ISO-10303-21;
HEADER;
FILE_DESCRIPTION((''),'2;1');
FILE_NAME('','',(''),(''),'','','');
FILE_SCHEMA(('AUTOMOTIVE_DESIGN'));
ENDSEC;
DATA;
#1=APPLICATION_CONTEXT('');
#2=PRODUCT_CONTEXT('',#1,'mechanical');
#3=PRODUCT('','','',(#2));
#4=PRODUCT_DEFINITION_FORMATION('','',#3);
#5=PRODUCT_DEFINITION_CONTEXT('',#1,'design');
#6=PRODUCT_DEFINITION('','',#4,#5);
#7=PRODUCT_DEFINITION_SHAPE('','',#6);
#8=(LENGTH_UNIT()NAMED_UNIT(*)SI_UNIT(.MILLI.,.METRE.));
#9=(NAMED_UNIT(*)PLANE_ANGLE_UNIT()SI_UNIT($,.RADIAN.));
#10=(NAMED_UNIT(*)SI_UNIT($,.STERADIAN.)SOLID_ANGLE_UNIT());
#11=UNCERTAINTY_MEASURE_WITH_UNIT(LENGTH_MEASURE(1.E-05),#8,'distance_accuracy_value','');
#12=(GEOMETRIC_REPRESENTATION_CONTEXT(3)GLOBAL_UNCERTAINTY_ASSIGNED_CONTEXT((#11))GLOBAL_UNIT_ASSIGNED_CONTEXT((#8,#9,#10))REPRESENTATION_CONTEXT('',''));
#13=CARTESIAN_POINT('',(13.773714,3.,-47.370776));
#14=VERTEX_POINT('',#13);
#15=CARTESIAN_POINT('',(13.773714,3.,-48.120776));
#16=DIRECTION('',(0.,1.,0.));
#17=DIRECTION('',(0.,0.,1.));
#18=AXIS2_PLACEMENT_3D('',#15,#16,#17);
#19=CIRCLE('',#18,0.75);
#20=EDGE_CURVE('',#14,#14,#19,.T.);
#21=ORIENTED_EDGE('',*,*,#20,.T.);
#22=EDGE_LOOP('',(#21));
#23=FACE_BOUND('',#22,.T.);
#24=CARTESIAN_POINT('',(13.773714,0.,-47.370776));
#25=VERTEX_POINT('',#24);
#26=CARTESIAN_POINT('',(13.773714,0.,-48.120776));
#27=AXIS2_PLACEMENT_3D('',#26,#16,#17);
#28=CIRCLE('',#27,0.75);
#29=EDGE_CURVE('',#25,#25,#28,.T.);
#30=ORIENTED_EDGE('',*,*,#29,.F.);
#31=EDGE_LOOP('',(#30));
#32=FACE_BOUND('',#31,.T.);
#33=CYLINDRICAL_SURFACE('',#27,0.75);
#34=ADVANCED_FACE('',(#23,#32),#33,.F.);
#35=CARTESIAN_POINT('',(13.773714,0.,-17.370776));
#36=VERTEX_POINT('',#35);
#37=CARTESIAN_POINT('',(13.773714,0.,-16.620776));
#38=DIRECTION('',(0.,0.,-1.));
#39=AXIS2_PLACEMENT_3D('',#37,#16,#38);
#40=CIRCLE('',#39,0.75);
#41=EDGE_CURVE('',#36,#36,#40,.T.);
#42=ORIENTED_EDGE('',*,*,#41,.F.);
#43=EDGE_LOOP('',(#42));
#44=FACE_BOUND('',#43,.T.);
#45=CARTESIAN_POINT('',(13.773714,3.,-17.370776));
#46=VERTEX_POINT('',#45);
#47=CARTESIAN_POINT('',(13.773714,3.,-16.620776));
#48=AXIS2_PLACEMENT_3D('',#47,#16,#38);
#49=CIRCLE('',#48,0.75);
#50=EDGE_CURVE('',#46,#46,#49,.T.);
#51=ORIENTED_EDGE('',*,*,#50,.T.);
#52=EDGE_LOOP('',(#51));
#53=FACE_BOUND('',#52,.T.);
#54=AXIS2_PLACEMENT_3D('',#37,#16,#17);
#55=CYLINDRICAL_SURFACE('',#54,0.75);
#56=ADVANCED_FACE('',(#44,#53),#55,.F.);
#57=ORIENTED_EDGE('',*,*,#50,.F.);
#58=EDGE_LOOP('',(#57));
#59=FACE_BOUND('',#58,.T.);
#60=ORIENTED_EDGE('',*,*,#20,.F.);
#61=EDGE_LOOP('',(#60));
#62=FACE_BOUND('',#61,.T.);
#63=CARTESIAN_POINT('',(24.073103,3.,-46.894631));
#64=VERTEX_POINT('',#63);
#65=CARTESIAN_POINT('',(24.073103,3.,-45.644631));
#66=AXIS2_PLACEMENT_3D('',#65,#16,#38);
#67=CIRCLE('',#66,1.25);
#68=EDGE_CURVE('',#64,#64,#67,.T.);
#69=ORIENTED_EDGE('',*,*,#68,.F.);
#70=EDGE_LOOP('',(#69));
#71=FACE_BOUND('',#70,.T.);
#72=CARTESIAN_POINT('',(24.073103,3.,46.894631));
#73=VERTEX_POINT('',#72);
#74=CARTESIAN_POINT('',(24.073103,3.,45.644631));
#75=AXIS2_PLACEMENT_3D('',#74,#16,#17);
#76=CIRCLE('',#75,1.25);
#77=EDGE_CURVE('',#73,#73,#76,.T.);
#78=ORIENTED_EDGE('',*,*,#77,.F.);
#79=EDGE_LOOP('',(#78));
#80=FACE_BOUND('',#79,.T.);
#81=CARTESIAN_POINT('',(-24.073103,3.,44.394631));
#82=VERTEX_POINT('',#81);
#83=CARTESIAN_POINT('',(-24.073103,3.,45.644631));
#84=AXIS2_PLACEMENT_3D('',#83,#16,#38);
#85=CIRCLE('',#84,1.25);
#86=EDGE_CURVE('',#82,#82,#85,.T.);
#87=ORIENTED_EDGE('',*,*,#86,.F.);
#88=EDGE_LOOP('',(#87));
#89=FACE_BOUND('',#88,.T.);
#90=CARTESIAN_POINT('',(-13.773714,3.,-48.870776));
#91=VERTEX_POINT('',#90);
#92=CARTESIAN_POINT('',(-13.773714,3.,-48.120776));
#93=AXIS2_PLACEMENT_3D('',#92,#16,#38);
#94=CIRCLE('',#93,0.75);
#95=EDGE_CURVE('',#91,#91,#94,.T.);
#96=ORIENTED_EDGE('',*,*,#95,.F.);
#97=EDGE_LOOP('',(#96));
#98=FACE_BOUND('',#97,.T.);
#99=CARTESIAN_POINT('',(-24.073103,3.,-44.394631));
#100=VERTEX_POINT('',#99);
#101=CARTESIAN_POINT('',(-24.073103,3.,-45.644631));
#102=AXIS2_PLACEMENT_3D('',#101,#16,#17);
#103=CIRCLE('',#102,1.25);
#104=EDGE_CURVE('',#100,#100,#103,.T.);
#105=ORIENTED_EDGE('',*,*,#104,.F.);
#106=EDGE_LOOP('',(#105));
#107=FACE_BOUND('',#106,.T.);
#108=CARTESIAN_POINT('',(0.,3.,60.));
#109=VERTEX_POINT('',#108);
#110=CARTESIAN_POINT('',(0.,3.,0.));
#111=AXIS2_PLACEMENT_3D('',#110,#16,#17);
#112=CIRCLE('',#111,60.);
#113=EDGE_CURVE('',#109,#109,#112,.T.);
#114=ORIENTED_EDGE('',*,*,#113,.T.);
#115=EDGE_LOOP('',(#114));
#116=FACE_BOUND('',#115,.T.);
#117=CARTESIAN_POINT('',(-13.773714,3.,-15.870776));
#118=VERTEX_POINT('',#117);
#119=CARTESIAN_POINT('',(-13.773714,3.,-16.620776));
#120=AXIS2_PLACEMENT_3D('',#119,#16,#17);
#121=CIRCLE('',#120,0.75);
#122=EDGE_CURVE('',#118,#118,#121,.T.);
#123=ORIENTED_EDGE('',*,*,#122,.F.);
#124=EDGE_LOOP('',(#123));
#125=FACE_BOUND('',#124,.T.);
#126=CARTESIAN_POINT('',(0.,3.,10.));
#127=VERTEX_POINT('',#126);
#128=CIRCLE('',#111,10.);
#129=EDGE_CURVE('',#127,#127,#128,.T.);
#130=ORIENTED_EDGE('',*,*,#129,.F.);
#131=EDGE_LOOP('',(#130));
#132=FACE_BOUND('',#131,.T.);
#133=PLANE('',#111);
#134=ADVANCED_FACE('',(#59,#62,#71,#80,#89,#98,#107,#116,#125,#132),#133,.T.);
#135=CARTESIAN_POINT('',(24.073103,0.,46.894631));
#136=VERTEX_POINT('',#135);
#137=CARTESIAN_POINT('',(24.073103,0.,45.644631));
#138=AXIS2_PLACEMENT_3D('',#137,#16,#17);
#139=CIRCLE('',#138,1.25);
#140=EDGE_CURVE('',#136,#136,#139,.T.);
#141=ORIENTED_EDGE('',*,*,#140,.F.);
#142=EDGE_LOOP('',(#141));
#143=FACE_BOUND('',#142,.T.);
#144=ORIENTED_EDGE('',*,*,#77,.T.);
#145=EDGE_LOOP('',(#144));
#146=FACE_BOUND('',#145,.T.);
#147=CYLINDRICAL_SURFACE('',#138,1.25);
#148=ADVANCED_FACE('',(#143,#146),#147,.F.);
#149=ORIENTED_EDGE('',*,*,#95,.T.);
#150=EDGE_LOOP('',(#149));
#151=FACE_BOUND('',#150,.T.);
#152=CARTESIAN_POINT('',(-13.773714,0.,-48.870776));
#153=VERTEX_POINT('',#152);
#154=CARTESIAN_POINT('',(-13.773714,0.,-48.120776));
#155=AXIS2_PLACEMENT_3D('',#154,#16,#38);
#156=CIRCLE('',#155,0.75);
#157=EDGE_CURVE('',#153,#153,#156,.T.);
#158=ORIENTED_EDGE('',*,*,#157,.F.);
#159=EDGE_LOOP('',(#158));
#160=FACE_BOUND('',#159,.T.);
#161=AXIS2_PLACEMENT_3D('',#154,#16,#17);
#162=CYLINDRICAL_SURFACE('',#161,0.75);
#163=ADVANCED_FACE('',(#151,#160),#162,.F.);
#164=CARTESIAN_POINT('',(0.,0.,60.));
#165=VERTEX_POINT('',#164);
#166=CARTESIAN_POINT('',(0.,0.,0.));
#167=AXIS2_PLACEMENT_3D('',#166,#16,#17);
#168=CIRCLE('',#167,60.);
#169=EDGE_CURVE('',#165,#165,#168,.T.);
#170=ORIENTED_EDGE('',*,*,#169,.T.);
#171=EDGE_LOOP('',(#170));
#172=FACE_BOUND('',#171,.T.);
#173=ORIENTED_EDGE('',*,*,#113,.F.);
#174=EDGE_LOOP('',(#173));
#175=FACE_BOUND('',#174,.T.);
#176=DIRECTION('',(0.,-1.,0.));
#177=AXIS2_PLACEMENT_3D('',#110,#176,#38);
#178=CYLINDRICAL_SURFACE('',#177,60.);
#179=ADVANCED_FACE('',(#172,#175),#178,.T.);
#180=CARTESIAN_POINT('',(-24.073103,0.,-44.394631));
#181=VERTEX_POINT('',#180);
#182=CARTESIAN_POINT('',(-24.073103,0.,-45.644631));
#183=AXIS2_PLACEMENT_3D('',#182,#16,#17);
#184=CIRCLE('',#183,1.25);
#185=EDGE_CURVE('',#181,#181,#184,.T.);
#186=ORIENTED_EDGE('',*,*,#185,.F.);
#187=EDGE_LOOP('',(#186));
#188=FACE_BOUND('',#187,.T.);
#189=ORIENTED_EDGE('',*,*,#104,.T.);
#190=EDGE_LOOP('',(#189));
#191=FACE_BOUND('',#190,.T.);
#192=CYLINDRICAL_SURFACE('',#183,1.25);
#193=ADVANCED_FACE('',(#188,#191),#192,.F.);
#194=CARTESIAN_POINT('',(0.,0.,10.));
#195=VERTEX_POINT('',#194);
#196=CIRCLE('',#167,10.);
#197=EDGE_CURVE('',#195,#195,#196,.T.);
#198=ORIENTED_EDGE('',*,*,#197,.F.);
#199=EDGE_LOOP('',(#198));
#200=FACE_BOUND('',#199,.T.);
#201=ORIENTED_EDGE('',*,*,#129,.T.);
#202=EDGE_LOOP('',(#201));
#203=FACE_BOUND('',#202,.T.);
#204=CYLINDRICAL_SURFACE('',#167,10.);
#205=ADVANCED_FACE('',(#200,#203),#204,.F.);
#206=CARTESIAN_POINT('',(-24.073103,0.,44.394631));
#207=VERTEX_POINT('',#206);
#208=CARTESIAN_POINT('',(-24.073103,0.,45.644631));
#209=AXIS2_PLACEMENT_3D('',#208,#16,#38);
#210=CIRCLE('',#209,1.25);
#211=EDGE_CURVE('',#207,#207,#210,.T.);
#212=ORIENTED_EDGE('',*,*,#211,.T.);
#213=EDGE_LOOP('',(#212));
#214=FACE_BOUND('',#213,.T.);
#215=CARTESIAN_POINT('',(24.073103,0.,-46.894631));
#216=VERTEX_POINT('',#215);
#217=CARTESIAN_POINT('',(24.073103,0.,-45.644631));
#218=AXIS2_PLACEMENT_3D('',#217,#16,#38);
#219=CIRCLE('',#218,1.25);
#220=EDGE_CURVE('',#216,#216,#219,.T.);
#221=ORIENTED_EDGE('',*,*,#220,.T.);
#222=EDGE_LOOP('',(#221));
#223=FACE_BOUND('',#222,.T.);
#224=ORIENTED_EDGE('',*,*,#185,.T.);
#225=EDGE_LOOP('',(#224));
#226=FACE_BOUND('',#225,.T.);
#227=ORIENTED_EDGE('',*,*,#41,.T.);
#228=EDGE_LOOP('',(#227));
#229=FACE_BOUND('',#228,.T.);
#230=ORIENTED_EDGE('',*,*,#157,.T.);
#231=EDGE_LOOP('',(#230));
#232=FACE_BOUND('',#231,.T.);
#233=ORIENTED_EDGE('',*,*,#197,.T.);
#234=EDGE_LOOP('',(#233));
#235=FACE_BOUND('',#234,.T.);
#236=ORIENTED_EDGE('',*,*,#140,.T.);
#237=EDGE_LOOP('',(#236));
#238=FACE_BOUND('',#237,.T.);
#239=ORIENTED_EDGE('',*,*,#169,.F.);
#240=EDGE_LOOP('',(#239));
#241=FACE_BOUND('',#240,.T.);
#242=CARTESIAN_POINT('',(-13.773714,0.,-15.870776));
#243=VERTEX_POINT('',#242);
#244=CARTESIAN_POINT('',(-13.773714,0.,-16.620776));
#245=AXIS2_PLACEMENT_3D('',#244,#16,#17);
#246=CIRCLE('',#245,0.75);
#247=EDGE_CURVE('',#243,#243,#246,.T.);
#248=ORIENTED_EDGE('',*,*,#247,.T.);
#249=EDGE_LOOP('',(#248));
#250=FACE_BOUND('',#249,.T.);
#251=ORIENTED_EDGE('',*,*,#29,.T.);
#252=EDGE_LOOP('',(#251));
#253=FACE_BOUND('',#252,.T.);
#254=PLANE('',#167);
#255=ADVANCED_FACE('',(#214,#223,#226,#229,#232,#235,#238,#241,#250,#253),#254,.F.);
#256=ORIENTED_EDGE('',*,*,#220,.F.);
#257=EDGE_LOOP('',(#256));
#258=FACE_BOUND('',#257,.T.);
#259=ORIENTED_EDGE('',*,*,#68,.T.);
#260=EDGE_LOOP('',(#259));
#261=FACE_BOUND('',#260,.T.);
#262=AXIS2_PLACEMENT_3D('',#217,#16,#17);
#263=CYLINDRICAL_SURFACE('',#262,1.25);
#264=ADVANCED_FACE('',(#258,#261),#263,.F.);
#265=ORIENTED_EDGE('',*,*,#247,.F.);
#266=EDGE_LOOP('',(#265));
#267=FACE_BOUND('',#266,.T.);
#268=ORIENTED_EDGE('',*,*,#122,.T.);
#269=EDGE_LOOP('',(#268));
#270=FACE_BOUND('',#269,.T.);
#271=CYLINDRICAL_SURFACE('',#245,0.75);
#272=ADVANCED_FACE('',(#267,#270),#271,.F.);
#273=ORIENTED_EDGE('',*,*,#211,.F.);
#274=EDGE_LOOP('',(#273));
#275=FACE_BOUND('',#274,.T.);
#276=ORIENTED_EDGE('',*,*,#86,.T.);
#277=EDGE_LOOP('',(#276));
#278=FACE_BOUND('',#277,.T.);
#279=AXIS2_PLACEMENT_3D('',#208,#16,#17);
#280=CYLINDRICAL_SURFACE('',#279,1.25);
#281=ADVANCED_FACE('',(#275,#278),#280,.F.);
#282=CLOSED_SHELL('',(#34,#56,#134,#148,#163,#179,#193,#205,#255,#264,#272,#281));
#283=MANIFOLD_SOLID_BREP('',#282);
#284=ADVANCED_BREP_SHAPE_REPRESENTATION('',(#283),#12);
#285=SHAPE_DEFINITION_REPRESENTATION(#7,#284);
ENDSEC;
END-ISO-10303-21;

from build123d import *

# Parameters (mm, degrees)
SKETCH1_R           = 60
BOSS_EXTRUDE1_DEPTH = 3
SKETCH2_R           = 1.25
CUT_EXTRUDE1_DEPTH  = 4
SKETCH5_R           = 10
CUT_EXTRUDE2_DEPTH  = 4
SKETCH6_R           = 0.75
CUT_EXTRUDE3_DEPTH  = 4


with BuildPart() as part:
    # Sketch1 → Boss-Extrude1 (new body)
    with BuildSketch(Plane(origin=(0, 0, 0), x_dir=(1, 0, 0), z_dir=(0, 1, 0))):
        Circle(SKETCH1_R)
    extrude(amount=BOSS_EXTRUDE1_DEPTH)

    # Sketch2 → Cut-Extrude1 (cut, through all)
    with BuildSketch(Plane(origin=(0, 3, 0), x_dir=(1, 0, 0), z_dir=(0, 1, 0))):
        with Locations((-24.073102507, 45.644631202)):
            Circle(SKETCH2_R)
        with Locations((24.073102507, 45.644631202)):
            Circle(SKETCH2_R)
        with Locations((24.073102507, -45.644631202)):
            Circle(SKETCH2_R)
        with Locations((-24.073102507, -45.644631202)):
            Circle(SKETCH2_R)
    extrude(amount=-CUT_EXTRUDE1_DEPTH, mode=Mode.SUBTRACT)

    # Sketch5 → Cut-Extrude2 (cut, through all)
    with BuildSketch(Plane(origin=(0, 3, 0), x_dir=(1, 0, 0), z_dir=(0, 1, 0))):
        Circle(SKETCH5_R)
    extrude(amount=-CUT_EXTRUDE2_DEPTH, mode=Mode.SUBTRACT)

    # Sketch6 → Cut-Extrude3 (cut, through all)
    with BuildSketch(Plane(origin=(0, 3, 0), x_dir=(1, 0, 0), z_dir=(0, 1, 0))):
        with Locations((13.773714056, 48.12077632)):
            Circle(SKETCH6_R)
        with Locations((13.773714056, 16.62077632)):
            Circle(SKETCH6_R)
        with Locations((-13.773714056, 16.62077632)):
            Circle(SKETCH6_R)
        with Locations((-13.773714056, 48.12077632)):
            Circle(SKETCH6_R)
    extrude(amount=-CUT_EXTRUDE3_DEPTH, mode=Mode.SUBTRACT)


solid = part.part
